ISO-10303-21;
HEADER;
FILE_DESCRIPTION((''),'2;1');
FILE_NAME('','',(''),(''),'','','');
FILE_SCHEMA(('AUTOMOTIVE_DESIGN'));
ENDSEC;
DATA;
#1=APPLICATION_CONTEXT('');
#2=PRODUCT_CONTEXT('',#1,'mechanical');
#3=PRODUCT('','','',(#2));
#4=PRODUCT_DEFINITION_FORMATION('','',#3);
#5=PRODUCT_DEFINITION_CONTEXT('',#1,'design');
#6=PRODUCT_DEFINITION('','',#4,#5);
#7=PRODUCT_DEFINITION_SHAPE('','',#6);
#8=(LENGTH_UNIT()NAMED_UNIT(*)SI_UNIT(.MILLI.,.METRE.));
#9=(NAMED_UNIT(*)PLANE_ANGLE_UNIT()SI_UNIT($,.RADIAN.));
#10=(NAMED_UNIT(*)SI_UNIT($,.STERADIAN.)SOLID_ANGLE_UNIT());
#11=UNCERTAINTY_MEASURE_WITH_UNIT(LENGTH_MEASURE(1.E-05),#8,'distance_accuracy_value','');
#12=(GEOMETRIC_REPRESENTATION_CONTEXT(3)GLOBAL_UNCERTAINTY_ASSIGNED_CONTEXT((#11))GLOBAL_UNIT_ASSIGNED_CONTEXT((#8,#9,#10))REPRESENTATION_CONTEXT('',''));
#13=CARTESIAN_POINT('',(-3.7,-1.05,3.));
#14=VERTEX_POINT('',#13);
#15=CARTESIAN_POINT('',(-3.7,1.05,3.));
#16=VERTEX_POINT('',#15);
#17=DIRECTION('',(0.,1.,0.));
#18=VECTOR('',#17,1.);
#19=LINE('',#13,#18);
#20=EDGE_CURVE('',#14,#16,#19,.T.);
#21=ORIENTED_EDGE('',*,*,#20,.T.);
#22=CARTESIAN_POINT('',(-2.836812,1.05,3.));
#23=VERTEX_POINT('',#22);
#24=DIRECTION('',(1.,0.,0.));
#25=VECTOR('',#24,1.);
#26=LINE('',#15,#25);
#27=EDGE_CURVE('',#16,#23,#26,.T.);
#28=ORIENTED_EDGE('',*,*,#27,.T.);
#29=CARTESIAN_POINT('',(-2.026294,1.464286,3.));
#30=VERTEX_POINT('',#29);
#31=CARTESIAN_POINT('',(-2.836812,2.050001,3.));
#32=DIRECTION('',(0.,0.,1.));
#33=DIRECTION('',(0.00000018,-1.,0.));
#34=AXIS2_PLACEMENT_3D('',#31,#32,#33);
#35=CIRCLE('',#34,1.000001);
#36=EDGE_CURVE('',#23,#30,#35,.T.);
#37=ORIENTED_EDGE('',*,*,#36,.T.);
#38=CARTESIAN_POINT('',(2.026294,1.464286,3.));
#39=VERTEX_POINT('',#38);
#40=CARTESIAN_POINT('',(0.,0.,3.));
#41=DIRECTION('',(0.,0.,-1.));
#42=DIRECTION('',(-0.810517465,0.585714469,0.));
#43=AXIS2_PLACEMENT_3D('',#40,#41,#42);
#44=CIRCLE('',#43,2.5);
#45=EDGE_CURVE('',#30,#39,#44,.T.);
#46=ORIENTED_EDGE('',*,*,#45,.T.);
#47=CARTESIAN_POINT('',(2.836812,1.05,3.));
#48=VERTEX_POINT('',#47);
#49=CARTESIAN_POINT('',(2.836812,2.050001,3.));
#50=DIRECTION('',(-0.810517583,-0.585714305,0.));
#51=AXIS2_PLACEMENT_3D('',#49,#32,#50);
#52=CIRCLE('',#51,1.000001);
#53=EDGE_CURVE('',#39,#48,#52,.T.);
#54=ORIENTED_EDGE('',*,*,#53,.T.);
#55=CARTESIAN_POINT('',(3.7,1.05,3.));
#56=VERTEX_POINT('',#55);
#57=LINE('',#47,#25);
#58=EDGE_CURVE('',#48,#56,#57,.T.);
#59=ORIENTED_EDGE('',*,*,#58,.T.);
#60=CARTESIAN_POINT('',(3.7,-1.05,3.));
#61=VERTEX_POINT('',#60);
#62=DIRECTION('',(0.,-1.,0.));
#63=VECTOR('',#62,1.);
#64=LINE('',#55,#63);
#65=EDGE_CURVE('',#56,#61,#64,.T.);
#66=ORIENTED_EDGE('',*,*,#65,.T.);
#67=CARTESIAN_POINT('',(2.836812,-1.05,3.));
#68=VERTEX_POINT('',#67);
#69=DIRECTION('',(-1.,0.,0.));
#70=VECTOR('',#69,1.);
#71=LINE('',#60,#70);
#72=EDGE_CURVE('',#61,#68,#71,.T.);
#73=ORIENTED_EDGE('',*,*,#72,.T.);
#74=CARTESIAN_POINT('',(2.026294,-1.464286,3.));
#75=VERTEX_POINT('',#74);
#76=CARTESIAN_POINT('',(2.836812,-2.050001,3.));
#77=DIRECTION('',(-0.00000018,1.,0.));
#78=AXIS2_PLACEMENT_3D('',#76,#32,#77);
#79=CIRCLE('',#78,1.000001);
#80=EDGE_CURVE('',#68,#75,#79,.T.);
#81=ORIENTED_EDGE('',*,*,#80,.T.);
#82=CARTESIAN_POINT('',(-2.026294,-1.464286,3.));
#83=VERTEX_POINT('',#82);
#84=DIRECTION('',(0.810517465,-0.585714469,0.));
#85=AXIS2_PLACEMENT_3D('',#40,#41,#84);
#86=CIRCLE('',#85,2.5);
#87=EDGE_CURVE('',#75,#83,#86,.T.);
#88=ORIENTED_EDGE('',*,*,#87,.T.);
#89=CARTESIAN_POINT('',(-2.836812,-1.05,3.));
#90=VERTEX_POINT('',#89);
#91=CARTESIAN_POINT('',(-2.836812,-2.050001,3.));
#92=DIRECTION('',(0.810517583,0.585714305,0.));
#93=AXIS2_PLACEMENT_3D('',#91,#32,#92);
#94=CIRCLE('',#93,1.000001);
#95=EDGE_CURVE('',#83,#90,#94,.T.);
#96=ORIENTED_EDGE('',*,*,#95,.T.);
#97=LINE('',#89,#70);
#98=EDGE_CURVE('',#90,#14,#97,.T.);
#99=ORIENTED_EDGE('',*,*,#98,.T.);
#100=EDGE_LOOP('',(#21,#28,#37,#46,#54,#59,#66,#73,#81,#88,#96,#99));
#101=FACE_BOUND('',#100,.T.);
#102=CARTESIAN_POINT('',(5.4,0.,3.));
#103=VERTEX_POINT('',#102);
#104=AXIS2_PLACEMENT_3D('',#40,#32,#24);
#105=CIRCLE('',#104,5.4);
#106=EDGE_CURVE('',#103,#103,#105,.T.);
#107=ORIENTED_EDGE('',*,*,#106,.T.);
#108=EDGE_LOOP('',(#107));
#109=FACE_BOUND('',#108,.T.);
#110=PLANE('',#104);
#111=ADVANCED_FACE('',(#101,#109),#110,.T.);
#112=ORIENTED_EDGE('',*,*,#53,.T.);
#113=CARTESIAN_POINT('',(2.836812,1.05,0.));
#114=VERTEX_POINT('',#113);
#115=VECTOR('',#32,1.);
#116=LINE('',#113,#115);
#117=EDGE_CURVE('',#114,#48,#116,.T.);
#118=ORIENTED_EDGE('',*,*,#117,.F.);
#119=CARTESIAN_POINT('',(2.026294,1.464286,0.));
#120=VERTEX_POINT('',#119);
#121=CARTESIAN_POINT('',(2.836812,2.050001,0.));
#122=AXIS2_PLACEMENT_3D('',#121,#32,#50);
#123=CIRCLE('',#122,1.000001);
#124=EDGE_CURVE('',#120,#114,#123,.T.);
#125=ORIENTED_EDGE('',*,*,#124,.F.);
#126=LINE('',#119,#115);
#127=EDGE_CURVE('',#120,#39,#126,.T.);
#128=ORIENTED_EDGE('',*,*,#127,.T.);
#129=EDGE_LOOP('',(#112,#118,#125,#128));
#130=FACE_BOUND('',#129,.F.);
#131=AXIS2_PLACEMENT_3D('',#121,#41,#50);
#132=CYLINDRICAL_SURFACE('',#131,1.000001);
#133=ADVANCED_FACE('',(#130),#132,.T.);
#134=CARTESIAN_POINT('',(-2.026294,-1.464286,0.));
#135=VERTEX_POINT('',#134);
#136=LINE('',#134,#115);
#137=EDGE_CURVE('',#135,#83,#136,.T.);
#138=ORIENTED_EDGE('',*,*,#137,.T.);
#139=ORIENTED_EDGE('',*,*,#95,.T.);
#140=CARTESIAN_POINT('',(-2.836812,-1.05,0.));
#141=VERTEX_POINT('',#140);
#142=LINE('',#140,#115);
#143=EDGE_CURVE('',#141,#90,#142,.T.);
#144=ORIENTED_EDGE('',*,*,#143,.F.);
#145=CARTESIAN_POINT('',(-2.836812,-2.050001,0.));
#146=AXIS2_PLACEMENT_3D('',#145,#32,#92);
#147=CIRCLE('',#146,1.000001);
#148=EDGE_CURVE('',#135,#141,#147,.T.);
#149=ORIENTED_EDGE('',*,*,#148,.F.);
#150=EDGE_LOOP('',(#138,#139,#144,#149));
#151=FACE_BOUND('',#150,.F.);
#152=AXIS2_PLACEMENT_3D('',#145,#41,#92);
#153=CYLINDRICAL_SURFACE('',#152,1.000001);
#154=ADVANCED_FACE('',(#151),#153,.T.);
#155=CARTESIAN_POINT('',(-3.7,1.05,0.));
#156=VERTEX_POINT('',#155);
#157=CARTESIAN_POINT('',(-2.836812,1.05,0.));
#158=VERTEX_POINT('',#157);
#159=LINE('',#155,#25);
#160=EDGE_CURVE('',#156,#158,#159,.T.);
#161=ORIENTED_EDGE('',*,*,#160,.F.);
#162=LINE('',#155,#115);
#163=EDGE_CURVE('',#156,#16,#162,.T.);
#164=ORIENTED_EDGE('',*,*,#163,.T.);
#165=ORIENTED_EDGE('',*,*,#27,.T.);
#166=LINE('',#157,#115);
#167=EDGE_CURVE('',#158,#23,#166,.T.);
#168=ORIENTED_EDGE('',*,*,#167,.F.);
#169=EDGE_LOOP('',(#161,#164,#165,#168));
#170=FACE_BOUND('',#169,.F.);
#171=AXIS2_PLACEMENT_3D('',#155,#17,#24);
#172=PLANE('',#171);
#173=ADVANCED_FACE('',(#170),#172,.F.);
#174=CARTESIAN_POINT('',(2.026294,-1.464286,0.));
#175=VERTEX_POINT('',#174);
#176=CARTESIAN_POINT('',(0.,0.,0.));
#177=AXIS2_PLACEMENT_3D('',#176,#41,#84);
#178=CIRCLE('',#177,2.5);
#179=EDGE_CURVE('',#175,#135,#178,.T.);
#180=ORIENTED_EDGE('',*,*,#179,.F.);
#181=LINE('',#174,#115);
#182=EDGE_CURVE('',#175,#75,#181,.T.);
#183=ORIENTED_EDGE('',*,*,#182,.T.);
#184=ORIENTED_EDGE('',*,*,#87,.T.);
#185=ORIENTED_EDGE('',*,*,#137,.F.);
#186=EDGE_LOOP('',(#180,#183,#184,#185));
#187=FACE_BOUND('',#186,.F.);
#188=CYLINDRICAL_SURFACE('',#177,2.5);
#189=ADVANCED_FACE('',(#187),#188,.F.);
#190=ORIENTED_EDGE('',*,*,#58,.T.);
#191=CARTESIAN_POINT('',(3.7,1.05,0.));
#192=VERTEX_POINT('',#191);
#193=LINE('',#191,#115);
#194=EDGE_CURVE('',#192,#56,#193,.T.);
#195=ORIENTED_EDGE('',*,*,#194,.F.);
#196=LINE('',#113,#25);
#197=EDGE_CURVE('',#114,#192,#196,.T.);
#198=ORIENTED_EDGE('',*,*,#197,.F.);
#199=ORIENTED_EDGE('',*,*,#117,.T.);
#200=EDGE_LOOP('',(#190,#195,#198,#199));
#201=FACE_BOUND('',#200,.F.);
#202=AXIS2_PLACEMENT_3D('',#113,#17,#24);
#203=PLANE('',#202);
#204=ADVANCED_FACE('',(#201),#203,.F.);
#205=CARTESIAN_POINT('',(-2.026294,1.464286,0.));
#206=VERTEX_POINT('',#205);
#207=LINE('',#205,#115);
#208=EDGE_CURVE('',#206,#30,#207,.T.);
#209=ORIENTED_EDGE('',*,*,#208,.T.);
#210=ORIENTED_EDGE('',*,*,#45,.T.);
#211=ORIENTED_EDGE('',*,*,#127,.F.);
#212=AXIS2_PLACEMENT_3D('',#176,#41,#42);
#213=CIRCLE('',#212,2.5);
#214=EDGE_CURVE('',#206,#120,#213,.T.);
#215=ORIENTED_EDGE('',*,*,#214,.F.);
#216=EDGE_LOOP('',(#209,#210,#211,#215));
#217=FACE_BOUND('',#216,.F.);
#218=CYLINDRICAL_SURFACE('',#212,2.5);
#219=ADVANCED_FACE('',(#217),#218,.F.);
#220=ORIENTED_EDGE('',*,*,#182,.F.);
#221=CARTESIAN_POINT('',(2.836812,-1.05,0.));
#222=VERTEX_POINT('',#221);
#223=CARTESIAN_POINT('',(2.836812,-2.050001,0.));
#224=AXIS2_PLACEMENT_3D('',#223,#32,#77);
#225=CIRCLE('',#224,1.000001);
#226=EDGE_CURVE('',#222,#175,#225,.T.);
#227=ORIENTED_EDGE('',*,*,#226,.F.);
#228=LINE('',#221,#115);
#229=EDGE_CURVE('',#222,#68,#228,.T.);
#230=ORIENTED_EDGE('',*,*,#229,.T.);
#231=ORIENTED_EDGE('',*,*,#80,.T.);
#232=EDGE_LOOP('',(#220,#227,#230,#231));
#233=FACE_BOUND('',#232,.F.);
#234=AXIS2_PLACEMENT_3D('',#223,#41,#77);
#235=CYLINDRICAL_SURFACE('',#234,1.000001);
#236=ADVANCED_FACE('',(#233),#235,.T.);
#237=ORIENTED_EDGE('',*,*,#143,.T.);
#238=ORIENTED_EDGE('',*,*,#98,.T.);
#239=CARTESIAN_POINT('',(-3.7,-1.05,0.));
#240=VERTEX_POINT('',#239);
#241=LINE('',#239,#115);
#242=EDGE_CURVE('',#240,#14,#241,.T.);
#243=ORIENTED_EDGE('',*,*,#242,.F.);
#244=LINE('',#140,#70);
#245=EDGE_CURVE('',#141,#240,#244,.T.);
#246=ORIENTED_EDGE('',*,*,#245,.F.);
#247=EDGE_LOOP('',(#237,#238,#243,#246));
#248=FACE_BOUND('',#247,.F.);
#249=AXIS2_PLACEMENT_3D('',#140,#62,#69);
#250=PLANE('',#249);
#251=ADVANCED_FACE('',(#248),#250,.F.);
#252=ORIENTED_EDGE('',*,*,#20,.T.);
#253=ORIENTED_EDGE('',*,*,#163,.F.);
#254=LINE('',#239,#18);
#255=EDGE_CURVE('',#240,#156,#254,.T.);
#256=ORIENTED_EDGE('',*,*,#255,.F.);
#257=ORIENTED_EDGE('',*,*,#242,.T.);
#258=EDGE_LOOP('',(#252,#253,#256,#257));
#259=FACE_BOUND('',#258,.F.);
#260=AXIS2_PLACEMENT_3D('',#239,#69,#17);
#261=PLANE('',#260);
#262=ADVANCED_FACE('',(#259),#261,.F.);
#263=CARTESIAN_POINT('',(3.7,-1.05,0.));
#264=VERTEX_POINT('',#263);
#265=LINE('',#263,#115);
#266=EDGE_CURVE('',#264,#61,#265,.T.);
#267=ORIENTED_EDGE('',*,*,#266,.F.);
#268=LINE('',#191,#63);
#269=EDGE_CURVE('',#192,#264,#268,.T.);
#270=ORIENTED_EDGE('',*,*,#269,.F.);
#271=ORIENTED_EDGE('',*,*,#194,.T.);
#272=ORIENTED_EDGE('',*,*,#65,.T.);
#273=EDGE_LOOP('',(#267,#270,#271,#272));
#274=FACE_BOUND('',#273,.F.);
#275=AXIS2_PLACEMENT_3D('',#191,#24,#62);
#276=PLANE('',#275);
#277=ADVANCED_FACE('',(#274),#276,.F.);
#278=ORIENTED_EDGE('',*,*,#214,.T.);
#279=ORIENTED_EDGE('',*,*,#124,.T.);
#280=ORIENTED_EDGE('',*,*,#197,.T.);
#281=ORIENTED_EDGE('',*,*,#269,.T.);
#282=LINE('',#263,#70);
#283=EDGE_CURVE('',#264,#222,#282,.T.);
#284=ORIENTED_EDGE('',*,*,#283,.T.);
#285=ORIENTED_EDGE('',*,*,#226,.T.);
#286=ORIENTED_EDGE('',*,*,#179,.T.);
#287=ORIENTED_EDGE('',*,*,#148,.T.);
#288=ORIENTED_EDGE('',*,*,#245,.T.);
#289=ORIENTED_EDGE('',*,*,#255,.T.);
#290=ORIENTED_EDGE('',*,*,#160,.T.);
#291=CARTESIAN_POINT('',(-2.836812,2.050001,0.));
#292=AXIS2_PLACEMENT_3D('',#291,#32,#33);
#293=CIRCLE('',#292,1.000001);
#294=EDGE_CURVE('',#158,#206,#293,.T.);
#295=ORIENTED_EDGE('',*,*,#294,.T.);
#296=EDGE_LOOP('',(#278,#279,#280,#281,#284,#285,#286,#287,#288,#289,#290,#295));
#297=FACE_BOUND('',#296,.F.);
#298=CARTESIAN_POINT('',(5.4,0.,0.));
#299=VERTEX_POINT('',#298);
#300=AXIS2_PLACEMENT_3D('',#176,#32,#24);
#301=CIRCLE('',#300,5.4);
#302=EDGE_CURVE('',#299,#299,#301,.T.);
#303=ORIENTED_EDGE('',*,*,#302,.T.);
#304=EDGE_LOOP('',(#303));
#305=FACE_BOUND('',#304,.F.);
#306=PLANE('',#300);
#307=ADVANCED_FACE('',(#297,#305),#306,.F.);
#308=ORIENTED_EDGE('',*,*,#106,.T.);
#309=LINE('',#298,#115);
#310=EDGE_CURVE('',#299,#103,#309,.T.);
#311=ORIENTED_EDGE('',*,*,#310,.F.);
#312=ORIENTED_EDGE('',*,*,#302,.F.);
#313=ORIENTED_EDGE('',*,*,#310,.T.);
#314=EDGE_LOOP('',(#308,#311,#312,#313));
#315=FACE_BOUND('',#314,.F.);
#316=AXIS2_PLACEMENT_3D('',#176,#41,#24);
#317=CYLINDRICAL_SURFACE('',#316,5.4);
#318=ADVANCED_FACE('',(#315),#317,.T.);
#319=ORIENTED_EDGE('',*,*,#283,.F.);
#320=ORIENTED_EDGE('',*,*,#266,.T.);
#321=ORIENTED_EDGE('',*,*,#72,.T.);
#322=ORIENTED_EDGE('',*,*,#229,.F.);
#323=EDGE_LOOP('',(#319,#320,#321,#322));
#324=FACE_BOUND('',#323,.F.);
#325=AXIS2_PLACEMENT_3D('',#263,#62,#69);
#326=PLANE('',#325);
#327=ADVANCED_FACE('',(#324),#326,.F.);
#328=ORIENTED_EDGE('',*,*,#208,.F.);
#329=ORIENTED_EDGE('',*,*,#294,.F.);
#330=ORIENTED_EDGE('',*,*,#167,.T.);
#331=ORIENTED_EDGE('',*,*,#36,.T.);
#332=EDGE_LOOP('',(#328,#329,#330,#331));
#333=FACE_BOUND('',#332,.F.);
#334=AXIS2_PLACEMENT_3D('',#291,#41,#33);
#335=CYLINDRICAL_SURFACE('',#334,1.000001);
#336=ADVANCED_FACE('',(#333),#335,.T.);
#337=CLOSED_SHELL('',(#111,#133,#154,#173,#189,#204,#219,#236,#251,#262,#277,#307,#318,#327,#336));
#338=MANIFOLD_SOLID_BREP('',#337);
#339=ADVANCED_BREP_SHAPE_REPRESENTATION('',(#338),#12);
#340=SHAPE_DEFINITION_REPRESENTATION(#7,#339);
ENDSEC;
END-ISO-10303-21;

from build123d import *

# Parameters (mm, degrees)
F0_R     = 5.4
F1_DEPTH = 3


with BuildPart() as f1:
    # F0 (on Top) → F1 (new body)
    with BuildSketch(Plane.XY):
        Circle(F0_R)
        with BuildLine():
            ThreePointArc((-2.026294, 1.464286), (0, 2.5), (2.026294, 1.464286))
            ThreePointArc((2.026294, 1.464286), (2.381682, 1.159575), (2.836812, 1.05))
            Line((2.836812, 1.05), (3.7, 1.05))
            Line((3.7, 1.05), (3.7, -1.05))
            Line((3.7, -1.05), (2.836812, -1.05))
            ThreePointArc((2.836812, -1.05), (2.381682, -1.159575), (2.026294, -1.464286))
            ThreePointArc((2.026294, -1.464286), (0, -2.5), (-2.026294, -1.464286))
            ThreePointArc((-2.026294, -1.464286), (-2.381682, -1.159575), (-2.836812, -1.05))
            Line((-2.836812, -1.05), (-3.7, -1.05))
            Line((-3.7, -1.05), (-3.7, 1.05))
            Line((-3.7, 1.05), (-2.836812, 1.05))
            ThreePointArc((-2.836812, 1.05), (-2.381682, 1.159575), (-2.026294, 1.464286))
        make_face(mode=Mode.SUBTRACT)
    extrude(amount=F1_DEPTH)


solid = f1.part
